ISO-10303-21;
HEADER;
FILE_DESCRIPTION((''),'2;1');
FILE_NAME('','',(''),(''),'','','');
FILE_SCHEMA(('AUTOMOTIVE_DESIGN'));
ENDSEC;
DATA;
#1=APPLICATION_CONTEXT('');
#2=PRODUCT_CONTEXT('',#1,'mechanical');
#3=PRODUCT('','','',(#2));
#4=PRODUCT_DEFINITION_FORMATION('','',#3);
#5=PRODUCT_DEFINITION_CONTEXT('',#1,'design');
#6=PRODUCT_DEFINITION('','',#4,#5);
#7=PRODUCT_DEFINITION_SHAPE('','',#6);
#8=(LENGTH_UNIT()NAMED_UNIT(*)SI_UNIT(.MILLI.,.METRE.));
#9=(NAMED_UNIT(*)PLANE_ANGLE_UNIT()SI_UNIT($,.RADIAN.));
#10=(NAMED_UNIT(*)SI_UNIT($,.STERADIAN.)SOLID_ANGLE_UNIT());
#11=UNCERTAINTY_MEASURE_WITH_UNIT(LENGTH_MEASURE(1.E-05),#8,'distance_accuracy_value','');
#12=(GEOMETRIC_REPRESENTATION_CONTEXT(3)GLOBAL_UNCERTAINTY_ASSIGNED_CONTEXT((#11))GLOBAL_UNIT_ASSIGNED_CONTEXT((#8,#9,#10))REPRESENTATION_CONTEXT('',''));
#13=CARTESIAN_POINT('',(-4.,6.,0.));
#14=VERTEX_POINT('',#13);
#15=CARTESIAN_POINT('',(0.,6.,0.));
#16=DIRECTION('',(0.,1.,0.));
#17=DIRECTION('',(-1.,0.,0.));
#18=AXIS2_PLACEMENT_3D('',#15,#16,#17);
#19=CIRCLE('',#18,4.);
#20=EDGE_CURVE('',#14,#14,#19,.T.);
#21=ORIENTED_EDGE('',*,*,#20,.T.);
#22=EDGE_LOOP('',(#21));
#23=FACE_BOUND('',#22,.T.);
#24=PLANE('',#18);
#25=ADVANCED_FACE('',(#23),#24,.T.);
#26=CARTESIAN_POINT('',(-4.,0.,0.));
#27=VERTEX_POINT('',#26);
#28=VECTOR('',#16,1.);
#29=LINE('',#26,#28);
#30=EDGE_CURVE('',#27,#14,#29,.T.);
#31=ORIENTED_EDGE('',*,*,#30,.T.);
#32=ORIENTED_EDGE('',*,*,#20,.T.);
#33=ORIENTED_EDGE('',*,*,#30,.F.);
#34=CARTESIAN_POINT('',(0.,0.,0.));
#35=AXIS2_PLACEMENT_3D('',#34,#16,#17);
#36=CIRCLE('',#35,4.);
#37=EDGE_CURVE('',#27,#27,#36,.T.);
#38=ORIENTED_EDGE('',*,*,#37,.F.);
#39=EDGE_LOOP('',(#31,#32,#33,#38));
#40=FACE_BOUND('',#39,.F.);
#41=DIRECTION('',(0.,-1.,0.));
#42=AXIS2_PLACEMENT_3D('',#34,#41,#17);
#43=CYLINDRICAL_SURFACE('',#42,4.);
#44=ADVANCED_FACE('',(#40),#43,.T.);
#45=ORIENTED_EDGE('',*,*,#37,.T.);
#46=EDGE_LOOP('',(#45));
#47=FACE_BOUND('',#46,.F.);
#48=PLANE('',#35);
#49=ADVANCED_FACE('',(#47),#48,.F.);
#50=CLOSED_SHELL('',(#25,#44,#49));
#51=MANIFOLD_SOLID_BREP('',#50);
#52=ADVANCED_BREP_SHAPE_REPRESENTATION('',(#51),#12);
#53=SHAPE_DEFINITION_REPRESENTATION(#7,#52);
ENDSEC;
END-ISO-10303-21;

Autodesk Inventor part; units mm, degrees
ref_plane "YZ Plane" through (0, 0, 0) normal (1, 0, 0) x (0, 1, 0)
ref_plane "XZ Plane" through (0, 0, 0) normal (0, 1, 0) x (-1, 0, 0)
ref_plane "XY Plane" through (0, 0, 0) normal (0, 0, 1) x (1, 0, 0)
sketch "Sketch1" plane through (0, 0, 0) normal (0, 1, 0) x (-1, 0, 0)
  circle A0 centre (0, 0) radius 4
  dimension "d0" = 8
extrude "Extrusion1" add sketch "Sketch1" along normal blind 6
properties part number "Axis"
